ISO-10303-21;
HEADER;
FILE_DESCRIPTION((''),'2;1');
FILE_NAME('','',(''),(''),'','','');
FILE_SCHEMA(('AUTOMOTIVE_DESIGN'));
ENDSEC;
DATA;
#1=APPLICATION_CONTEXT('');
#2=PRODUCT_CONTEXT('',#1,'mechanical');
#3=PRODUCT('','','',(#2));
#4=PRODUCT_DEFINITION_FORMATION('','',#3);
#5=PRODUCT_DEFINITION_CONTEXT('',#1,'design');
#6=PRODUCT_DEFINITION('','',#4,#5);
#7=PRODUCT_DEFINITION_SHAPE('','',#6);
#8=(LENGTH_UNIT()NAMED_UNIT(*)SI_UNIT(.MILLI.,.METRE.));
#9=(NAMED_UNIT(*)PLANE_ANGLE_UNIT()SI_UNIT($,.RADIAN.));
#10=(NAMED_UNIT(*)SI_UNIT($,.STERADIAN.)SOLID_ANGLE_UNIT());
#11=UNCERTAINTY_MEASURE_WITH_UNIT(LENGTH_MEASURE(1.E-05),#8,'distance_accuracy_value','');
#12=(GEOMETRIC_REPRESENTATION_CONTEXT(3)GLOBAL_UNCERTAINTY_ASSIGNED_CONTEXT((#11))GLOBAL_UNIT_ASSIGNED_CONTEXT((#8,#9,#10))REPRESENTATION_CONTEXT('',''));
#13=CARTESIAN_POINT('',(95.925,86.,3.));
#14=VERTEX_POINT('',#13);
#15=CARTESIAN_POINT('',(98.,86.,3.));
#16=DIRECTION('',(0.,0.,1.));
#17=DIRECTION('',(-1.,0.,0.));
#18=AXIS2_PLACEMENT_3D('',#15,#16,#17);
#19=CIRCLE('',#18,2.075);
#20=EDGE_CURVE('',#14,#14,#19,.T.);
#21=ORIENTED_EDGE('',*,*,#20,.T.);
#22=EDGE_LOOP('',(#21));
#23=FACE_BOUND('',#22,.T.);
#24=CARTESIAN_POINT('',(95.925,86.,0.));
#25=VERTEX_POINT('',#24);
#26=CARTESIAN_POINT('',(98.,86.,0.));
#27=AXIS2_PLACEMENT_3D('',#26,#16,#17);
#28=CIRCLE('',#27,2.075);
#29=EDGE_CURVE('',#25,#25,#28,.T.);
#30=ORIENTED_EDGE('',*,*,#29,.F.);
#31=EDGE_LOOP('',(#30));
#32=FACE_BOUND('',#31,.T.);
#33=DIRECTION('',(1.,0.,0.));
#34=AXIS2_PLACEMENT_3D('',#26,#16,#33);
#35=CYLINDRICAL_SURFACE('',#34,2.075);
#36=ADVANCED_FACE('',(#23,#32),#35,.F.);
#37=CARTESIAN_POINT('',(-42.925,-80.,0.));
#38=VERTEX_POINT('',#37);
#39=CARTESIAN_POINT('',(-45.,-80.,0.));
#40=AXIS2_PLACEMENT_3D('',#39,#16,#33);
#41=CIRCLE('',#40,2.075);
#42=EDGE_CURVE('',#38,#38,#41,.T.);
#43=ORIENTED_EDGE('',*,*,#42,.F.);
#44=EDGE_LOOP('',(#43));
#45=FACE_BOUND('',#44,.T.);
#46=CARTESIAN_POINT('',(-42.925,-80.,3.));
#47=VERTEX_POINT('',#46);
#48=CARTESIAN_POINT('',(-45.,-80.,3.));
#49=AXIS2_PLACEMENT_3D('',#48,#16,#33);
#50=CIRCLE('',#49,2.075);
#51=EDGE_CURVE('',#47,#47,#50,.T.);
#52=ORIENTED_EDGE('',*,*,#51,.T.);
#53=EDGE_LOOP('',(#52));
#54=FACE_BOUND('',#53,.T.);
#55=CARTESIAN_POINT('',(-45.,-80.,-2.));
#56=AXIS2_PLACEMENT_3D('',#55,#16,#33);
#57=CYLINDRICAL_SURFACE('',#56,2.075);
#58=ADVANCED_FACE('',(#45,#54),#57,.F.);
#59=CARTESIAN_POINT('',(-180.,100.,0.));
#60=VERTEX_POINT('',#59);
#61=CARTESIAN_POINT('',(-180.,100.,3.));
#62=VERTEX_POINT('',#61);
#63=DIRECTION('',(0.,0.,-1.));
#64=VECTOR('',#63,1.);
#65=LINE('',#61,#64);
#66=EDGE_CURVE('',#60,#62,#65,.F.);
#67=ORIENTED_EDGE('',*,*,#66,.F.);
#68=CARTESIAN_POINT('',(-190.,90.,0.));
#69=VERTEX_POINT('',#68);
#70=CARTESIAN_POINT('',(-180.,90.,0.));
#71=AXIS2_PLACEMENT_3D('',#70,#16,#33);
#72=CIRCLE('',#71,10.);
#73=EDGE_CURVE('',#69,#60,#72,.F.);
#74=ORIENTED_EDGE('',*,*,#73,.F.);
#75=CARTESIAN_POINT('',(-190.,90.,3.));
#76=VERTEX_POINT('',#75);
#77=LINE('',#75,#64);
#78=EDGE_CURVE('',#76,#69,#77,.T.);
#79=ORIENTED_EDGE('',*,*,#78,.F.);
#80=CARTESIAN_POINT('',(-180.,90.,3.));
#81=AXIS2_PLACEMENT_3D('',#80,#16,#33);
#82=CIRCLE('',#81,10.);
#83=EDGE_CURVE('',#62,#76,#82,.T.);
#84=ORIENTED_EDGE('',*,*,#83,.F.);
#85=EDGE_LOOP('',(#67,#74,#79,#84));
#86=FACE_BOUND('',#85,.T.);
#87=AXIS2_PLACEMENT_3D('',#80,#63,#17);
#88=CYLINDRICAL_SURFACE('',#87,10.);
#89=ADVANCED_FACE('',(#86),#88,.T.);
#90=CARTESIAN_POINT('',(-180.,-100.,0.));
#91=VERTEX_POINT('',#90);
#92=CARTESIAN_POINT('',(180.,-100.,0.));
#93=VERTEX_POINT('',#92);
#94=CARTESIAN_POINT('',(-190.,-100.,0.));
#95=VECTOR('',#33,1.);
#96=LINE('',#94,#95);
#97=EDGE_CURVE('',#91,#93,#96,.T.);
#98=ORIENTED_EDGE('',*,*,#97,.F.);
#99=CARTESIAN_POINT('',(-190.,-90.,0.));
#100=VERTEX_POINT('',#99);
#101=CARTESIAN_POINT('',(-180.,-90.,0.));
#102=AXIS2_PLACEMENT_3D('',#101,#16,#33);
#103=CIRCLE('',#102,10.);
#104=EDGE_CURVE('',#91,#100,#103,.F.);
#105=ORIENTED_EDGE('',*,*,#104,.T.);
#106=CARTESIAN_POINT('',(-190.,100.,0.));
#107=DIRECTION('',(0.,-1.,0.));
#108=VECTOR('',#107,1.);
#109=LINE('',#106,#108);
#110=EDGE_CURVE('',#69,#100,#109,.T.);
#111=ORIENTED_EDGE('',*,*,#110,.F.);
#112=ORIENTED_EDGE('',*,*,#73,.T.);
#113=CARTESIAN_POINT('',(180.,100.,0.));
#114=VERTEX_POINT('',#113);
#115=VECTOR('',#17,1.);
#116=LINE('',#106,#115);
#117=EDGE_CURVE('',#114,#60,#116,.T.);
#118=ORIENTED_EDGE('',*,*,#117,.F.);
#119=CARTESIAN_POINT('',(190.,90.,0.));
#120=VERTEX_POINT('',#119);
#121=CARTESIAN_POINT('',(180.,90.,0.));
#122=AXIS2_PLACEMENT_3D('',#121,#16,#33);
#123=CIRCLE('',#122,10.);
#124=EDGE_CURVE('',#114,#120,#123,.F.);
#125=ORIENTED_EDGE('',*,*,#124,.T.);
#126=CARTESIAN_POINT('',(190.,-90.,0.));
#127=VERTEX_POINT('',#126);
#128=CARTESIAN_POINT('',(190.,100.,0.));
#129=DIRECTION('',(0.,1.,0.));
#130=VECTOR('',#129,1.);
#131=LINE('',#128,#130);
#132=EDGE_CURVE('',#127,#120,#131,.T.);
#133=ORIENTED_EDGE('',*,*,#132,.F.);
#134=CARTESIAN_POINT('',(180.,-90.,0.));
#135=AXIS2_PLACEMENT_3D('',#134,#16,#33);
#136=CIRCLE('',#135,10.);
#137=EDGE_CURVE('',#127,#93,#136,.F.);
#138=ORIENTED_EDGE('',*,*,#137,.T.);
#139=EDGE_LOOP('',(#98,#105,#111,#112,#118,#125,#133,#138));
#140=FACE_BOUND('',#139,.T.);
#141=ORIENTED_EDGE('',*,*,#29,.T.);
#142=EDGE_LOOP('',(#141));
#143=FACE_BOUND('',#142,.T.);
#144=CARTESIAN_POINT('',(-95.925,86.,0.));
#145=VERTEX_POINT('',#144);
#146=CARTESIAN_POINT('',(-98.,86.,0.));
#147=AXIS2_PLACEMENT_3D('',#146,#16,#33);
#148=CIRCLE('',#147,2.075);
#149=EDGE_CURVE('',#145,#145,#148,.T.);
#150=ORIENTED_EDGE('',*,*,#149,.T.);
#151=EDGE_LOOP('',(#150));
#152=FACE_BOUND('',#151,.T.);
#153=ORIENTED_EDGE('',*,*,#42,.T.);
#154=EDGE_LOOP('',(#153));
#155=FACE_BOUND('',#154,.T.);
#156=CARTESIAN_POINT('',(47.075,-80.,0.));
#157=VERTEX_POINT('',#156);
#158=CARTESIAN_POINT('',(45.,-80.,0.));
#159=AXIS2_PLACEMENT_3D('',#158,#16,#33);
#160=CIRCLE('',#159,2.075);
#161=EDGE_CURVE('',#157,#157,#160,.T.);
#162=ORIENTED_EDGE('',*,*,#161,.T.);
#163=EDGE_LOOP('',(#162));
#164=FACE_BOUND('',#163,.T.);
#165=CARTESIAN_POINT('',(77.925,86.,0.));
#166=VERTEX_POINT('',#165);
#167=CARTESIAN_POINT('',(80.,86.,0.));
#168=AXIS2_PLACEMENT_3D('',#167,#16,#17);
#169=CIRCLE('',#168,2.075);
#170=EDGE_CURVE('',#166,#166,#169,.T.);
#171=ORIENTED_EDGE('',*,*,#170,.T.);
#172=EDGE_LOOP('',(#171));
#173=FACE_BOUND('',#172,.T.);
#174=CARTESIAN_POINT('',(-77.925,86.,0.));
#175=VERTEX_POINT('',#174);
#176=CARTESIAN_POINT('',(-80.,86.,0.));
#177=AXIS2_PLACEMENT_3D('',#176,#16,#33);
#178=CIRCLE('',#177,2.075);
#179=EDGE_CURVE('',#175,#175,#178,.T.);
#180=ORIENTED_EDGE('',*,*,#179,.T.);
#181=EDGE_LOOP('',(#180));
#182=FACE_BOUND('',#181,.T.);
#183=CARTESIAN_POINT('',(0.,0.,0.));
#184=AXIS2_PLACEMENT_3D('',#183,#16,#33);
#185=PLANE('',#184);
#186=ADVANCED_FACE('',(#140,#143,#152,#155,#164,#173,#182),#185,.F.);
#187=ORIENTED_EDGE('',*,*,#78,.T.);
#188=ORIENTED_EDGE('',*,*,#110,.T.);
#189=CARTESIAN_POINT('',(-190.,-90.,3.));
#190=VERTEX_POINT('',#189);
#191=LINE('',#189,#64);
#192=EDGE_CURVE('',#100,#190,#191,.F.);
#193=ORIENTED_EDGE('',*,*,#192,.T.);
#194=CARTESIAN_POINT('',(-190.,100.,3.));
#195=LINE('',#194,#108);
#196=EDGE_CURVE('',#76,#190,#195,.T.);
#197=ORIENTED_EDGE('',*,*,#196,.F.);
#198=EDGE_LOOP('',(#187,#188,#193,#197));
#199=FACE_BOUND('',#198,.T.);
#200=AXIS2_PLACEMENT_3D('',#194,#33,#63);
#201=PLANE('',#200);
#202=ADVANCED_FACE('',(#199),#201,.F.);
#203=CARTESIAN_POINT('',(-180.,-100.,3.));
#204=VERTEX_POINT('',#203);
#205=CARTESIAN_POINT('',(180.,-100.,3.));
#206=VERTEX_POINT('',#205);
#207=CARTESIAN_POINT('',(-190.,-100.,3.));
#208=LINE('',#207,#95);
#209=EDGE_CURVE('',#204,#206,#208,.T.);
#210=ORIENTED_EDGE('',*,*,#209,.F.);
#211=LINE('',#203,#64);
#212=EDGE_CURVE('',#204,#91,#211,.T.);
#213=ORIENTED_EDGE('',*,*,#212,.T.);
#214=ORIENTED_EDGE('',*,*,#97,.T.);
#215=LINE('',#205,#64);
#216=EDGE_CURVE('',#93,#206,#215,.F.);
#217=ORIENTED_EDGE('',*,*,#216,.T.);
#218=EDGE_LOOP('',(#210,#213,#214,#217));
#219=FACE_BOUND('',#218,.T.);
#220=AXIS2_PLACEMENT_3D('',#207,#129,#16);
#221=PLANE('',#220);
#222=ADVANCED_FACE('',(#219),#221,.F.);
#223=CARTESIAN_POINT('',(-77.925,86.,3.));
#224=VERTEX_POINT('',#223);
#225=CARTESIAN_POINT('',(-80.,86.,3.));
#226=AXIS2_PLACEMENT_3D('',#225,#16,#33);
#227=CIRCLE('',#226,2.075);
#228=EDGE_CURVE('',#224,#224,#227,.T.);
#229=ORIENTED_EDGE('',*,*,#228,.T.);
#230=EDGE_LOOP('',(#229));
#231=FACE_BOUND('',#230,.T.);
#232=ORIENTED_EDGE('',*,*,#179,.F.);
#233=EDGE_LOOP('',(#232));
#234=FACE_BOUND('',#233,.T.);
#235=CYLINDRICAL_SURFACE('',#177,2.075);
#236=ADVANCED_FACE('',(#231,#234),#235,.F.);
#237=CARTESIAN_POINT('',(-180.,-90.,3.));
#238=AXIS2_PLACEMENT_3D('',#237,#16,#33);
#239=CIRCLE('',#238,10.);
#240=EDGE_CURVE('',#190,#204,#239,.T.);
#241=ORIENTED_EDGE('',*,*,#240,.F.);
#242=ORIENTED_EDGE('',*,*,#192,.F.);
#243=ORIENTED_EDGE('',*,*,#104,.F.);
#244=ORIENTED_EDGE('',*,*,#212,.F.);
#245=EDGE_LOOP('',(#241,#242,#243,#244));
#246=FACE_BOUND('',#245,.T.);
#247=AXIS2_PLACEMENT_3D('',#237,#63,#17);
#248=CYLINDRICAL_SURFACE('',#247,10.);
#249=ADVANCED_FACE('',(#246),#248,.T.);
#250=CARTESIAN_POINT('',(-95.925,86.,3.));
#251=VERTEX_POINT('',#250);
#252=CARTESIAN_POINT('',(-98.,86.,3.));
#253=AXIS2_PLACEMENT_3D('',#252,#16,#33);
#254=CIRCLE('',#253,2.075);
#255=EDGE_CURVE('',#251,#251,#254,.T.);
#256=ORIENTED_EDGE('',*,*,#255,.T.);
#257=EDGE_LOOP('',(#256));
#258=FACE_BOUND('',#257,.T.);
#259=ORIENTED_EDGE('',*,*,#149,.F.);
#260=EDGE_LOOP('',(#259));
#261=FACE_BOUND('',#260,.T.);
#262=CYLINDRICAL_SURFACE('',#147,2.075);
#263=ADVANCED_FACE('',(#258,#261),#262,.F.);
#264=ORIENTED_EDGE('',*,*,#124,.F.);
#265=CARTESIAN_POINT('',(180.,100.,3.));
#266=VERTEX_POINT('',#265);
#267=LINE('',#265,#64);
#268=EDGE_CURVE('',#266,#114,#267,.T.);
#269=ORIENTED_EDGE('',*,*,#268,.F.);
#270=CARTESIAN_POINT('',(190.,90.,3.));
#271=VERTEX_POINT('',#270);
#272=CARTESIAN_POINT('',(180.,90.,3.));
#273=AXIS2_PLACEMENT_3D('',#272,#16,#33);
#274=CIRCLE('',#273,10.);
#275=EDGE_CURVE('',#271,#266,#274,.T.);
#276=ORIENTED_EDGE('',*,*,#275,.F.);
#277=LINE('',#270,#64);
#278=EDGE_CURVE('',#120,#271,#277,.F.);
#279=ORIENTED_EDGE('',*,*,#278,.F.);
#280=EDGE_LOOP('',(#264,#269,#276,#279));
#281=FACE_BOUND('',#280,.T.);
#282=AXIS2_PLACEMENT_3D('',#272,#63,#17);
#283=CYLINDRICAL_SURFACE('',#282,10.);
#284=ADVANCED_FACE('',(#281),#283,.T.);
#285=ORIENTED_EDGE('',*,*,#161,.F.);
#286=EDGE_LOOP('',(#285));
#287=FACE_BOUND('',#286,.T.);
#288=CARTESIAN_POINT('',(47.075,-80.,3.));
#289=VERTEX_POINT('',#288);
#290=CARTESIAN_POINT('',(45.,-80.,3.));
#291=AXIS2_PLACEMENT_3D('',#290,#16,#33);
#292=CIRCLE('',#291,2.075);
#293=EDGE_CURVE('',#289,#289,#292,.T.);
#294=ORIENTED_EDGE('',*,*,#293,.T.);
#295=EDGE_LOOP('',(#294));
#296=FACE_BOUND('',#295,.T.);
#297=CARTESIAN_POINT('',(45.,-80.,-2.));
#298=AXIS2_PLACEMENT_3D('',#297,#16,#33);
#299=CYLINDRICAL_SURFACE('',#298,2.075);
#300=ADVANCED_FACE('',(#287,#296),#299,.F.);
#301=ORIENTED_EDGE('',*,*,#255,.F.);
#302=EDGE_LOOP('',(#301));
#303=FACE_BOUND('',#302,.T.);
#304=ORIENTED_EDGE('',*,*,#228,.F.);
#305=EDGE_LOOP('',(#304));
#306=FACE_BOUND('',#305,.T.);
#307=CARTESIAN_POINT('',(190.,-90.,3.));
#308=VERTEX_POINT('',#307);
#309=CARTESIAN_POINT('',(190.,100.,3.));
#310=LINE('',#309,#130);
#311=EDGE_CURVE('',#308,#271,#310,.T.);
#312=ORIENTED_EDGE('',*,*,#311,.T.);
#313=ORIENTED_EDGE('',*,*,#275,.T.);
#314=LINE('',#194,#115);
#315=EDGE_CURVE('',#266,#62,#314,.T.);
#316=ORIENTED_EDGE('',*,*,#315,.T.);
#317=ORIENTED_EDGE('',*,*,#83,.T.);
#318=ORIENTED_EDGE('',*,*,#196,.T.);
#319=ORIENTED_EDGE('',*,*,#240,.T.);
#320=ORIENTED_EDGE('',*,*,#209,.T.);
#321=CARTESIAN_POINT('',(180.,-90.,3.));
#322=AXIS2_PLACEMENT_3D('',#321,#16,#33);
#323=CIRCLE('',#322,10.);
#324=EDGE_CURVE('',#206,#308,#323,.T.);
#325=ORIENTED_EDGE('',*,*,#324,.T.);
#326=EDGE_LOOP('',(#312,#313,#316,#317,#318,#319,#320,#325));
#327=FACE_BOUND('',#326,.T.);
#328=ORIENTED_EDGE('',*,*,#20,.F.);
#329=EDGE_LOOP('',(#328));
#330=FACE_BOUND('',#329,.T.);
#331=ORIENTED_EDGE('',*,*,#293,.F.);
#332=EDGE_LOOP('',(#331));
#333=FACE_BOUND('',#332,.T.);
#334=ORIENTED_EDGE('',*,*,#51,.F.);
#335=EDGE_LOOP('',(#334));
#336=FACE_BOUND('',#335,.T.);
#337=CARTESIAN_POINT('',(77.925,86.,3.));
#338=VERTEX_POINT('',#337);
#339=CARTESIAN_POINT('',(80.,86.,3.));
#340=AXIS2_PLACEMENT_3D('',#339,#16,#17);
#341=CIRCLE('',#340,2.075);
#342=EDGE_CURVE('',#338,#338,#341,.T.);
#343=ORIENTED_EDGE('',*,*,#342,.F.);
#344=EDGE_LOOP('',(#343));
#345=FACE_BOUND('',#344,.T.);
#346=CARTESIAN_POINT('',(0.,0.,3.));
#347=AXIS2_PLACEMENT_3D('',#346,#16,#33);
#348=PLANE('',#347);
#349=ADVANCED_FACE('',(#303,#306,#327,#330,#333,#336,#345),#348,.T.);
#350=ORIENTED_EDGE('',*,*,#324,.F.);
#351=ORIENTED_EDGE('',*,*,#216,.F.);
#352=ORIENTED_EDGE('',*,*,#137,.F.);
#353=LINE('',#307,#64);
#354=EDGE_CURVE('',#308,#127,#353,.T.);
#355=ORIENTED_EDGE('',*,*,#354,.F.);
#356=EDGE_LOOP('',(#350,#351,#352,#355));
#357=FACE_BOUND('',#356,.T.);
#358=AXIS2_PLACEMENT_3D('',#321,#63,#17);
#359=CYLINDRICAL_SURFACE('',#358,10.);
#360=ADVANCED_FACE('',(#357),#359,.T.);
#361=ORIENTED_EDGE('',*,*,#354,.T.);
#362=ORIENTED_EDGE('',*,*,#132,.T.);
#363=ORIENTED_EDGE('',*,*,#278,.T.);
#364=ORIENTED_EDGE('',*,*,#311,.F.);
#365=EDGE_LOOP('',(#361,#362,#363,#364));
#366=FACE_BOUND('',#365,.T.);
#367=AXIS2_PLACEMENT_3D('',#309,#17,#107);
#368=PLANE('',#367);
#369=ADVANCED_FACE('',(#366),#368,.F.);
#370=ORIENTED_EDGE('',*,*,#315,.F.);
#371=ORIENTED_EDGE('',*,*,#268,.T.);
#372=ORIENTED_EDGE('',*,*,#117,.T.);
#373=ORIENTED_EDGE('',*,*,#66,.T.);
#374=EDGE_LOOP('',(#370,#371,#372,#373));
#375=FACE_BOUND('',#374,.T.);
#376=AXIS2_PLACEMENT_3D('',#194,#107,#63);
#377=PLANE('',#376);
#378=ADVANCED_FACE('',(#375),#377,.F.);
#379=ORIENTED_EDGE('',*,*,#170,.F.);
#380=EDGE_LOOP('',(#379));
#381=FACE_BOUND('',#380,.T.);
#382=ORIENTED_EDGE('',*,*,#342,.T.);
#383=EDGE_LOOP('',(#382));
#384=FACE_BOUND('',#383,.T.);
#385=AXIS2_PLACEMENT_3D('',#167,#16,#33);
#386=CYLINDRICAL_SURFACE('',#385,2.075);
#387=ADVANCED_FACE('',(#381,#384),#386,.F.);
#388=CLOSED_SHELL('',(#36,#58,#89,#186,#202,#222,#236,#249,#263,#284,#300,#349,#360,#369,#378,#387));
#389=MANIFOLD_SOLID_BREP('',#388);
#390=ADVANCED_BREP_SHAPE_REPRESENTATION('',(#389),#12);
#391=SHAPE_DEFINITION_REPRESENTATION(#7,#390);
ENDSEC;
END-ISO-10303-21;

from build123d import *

# Parameters (mm, degrees)
SKETCH_1_W          = 380
SKETCH_1_H          = 200
EXTRUDE_1_DEPTH     = 3
SKETCH_2_R          = 2.075
CUT_EXTRUDE_1_DEPTH = 215.730063102
FILLET_1_R          = 10
SKETCH_3_R          = 2.075
CUT_EXTRUDE_2_DEPTH = 5


with BuildPart() as part:
    # 草图1 → 凸台-拉伸1 (new body)
    with BuildSketch(Plane.XY):
        Rectangle(SKETCH_1_W, SKETCH_1_H)
    extrude(amount=EXTRUDE_1_DEPTH)

    # 草图2 → 切除-拉伸1 (cut, through all)
    with BuildSketch(Plane.XY.offset(3)):
        with Locations((-98, 86)):
            Circle(SKETCH_2_R)
        with Locations((-80, 86)):
            Circle(SKETCH_2_R)
        with Locations(Location((80, 86, 0), (0, 0, 180))):
            Circle(SKETCH_2_R)
        with Locations(Location((98, 86, 0), (0, 0, 180))):
            Circle(SKETCH_2_R)
    extrude(amount=-CUT_EXTRUDE_1_DEPTH, mode=Mode.SUBTRACT)

    # 圆角1
    fillet_1_edges = [part.edges().sort_by_distance(p)[0] for p in [
        (190, -100, 1.5),
        (-190, -100, 1.5),
        (-190, 100, 1.5),
        (190, 100, 1.5),
    ]]
    fillet(fillet_1_edges, radius=FILLET_1_R)

    # 草图3 → 切除-拉伸2 (cut)
    with BuildSketch(Plane.XY.offset(3)):
        with Locations((-45, -80)):
            Circle(SKETCH_3_R)
        with Locations((45, -80)):
            Circle(SKETCH_3_R)
    extrude(amount=-CUT_EXTRUDE_2_DEPTH, mode=Mode.SUBTRACT)


solid = part.part
